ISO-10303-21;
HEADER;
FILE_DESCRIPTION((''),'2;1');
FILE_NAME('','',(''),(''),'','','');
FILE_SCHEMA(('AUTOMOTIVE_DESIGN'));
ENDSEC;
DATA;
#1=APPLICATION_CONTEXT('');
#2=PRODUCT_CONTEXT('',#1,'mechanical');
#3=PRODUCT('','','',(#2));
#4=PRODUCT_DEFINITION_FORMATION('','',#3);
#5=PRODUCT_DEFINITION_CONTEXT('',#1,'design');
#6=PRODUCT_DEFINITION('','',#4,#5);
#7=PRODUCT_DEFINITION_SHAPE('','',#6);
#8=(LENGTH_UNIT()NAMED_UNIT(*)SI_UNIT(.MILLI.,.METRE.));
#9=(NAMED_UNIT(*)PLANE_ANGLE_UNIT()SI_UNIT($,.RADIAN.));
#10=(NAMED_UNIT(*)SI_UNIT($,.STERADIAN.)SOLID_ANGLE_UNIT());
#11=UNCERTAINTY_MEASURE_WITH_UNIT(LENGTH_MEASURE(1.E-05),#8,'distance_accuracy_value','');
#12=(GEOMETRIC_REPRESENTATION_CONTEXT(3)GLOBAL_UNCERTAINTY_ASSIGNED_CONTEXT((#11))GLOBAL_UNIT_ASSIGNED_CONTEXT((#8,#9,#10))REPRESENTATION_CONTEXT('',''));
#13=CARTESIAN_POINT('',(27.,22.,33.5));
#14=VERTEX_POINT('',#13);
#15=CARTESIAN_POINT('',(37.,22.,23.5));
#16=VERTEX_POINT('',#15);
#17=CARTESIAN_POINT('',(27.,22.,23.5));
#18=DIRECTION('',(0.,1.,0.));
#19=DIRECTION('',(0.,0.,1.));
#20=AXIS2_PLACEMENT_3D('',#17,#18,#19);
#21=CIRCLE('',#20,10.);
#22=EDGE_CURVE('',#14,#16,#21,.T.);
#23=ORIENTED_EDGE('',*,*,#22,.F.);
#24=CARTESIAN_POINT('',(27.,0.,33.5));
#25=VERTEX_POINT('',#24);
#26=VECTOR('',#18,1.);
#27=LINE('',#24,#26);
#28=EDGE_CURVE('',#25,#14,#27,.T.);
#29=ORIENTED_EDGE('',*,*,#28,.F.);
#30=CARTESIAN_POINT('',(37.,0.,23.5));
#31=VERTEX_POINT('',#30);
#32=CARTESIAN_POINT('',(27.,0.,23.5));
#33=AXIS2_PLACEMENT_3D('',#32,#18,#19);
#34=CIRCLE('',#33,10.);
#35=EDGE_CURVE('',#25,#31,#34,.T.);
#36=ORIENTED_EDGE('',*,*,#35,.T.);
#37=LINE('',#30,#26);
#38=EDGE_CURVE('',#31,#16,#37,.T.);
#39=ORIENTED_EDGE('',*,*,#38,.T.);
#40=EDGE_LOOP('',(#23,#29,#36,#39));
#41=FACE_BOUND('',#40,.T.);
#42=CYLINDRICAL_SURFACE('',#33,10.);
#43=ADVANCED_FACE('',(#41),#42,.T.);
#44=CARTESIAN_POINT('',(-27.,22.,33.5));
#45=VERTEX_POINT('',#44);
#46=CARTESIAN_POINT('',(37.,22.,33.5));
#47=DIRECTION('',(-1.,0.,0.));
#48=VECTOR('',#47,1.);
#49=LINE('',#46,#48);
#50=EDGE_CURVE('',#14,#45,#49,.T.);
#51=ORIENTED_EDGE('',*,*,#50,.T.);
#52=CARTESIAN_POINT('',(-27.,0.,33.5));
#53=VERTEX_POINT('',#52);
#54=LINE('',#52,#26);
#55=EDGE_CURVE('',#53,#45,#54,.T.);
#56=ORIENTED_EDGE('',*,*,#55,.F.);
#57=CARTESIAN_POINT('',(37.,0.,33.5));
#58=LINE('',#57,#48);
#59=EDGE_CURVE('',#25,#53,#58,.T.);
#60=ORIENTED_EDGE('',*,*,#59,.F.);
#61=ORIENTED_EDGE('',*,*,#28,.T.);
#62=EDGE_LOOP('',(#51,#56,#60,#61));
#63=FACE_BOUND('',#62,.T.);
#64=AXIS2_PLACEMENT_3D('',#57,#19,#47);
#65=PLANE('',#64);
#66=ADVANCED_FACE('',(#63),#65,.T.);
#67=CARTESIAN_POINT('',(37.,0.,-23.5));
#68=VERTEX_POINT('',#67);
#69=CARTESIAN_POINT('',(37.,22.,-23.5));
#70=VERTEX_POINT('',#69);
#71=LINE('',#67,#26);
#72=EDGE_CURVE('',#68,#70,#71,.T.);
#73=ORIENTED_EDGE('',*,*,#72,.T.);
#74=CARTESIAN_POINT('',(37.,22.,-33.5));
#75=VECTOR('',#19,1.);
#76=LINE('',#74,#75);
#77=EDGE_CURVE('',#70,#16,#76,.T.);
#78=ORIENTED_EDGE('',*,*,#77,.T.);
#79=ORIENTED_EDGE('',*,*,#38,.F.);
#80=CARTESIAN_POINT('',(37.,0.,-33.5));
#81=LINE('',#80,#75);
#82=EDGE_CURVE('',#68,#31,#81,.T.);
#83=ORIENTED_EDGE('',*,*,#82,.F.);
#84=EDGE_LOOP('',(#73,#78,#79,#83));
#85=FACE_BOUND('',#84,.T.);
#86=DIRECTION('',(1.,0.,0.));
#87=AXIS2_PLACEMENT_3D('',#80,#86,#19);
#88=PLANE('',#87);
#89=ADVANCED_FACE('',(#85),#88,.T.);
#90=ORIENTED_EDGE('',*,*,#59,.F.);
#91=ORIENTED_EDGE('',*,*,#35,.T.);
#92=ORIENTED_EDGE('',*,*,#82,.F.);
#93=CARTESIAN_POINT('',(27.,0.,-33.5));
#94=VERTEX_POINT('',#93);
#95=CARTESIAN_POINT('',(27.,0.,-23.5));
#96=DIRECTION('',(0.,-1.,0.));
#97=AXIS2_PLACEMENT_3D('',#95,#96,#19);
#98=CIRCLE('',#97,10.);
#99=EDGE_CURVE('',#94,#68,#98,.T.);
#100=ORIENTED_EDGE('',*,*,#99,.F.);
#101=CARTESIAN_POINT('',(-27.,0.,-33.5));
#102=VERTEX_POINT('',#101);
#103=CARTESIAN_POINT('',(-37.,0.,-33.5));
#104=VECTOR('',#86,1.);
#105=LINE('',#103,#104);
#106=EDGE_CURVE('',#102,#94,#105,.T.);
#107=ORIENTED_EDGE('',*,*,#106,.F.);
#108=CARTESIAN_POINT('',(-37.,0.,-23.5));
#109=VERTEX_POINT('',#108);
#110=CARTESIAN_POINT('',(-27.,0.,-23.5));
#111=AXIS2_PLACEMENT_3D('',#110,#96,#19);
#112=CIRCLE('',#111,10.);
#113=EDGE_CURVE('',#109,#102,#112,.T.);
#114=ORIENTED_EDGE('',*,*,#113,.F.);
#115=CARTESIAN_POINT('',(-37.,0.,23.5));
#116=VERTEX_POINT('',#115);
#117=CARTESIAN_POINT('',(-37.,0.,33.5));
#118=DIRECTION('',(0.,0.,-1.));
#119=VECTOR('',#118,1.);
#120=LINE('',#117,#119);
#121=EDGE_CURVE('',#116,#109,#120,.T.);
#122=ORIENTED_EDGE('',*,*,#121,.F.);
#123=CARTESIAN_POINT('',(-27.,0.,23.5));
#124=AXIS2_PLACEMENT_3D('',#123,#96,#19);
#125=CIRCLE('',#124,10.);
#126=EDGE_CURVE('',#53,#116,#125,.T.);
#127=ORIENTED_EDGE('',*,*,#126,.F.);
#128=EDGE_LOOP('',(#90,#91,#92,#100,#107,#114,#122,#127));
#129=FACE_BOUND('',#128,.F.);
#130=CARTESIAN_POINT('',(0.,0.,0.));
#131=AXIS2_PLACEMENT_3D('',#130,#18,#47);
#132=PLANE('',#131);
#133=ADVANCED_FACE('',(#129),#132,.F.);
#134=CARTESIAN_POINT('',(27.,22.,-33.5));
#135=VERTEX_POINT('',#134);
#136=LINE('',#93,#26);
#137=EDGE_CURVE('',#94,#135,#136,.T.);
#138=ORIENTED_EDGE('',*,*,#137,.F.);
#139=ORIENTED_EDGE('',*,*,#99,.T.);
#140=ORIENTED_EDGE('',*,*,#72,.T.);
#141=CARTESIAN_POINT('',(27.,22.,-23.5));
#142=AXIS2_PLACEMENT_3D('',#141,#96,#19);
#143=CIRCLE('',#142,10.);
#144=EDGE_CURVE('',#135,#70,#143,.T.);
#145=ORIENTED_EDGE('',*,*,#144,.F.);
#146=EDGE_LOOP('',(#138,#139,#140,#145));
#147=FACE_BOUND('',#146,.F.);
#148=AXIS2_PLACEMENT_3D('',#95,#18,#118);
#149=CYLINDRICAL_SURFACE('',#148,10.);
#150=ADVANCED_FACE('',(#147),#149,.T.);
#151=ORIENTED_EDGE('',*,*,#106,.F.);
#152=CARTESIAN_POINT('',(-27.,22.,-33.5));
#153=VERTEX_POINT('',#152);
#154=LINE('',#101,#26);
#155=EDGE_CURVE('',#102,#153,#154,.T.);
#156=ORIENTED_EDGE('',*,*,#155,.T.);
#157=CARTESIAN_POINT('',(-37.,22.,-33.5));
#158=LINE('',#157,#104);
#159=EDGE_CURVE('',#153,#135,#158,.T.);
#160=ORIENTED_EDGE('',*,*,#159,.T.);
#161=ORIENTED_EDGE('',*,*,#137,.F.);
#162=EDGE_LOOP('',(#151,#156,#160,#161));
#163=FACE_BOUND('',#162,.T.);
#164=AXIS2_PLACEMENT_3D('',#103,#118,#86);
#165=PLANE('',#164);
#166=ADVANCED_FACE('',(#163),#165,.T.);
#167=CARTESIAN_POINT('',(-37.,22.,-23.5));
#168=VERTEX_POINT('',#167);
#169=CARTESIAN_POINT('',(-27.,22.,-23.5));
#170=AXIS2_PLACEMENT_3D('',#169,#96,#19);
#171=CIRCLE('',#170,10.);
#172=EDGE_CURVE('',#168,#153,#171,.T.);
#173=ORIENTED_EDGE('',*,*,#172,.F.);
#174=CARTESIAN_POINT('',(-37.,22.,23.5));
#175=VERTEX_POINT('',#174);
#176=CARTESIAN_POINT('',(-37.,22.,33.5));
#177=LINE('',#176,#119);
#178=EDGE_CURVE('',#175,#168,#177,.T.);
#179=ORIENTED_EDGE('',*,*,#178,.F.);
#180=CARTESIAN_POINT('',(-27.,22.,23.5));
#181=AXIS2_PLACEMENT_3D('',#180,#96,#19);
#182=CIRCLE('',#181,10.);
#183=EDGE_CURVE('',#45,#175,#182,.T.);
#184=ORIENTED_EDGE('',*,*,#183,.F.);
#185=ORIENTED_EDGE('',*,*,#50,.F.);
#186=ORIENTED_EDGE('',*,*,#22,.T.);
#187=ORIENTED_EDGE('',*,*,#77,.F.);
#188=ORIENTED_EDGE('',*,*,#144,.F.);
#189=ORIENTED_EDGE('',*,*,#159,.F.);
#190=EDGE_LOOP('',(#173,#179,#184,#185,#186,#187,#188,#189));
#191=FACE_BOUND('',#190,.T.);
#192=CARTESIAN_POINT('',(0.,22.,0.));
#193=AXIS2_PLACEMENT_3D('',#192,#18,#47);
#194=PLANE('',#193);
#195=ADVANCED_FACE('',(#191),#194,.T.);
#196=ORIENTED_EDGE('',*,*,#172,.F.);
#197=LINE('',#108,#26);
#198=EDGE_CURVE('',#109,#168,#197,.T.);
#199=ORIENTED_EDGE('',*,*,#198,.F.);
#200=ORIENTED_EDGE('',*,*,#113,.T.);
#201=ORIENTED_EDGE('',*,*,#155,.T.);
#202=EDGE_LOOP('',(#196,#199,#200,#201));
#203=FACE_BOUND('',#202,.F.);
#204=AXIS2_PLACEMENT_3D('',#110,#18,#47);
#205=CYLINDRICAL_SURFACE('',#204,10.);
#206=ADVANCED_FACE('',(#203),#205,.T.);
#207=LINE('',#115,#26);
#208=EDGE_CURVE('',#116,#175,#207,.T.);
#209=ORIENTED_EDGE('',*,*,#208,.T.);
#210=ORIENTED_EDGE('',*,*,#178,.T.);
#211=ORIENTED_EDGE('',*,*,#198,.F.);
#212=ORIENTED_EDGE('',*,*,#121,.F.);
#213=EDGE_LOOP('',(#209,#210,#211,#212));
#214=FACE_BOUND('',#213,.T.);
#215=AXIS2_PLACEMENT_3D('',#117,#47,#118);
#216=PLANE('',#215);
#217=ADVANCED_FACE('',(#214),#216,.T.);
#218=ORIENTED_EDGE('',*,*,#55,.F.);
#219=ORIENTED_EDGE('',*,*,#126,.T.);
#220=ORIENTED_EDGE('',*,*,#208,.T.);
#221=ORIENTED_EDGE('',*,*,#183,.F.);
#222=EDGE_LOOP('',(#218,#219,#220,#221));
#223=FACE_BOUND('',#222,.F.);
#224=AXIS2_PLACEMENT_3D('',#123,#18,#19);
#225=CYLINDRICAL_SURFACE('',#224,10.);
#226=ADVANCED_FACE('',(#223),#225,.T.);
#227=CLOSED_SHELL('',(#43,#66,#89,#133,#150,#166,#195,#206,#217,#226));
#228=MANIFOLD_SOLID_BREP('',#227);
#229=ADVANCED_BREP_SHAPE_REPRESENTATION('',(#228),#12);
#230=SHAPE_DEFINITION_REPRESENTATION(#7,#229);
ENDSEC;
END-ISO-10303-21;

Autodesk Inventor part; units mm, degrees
ref_plane "YZ Plane" through (0, 0, 0) normal (1, 0, 0) x (0, 1, 0)
ref_plane "XZ Plane" through (0, 0, 0) normal (0, 1, 0) x (-1, 0, 0)
ref_plane "XY Plane" through (0, 0, 0) normal (0, 0, 1) x (1, 0, 0)
sketch "Эскиз1" plane through (0, 0, 0) normal (0, 1, 0) x (-1, 0, 0)
  line L0 (-37, 33.5) -> (37, 33.5)
  line L1 (37, 33.5) -> (37, -33.5)
  line L2 (37, -33.5) -> (-37, -33.5)
  line L3 (-37, -33.5) -> (-37, 33.5)
  line L4 (-37, 33.5) -> (37, -33.5) construction
  line L5 (37, 33.5) -> (-37, -33.5) construction
  point P0 (0, 0)
  dimension "d0" = 74
  dimension "d1" = 67
extrude "Выдавливание1" add sketch "Эскиз1" along normal blind 22
fillet "Сопряжение1" radius 10 4 edges at (-37, 11, 33.5) (37, 11, 33.5) (37, 11, -33.5) (-37, 11, -33.5)
properties part number "TP_LINK_MR3023"
